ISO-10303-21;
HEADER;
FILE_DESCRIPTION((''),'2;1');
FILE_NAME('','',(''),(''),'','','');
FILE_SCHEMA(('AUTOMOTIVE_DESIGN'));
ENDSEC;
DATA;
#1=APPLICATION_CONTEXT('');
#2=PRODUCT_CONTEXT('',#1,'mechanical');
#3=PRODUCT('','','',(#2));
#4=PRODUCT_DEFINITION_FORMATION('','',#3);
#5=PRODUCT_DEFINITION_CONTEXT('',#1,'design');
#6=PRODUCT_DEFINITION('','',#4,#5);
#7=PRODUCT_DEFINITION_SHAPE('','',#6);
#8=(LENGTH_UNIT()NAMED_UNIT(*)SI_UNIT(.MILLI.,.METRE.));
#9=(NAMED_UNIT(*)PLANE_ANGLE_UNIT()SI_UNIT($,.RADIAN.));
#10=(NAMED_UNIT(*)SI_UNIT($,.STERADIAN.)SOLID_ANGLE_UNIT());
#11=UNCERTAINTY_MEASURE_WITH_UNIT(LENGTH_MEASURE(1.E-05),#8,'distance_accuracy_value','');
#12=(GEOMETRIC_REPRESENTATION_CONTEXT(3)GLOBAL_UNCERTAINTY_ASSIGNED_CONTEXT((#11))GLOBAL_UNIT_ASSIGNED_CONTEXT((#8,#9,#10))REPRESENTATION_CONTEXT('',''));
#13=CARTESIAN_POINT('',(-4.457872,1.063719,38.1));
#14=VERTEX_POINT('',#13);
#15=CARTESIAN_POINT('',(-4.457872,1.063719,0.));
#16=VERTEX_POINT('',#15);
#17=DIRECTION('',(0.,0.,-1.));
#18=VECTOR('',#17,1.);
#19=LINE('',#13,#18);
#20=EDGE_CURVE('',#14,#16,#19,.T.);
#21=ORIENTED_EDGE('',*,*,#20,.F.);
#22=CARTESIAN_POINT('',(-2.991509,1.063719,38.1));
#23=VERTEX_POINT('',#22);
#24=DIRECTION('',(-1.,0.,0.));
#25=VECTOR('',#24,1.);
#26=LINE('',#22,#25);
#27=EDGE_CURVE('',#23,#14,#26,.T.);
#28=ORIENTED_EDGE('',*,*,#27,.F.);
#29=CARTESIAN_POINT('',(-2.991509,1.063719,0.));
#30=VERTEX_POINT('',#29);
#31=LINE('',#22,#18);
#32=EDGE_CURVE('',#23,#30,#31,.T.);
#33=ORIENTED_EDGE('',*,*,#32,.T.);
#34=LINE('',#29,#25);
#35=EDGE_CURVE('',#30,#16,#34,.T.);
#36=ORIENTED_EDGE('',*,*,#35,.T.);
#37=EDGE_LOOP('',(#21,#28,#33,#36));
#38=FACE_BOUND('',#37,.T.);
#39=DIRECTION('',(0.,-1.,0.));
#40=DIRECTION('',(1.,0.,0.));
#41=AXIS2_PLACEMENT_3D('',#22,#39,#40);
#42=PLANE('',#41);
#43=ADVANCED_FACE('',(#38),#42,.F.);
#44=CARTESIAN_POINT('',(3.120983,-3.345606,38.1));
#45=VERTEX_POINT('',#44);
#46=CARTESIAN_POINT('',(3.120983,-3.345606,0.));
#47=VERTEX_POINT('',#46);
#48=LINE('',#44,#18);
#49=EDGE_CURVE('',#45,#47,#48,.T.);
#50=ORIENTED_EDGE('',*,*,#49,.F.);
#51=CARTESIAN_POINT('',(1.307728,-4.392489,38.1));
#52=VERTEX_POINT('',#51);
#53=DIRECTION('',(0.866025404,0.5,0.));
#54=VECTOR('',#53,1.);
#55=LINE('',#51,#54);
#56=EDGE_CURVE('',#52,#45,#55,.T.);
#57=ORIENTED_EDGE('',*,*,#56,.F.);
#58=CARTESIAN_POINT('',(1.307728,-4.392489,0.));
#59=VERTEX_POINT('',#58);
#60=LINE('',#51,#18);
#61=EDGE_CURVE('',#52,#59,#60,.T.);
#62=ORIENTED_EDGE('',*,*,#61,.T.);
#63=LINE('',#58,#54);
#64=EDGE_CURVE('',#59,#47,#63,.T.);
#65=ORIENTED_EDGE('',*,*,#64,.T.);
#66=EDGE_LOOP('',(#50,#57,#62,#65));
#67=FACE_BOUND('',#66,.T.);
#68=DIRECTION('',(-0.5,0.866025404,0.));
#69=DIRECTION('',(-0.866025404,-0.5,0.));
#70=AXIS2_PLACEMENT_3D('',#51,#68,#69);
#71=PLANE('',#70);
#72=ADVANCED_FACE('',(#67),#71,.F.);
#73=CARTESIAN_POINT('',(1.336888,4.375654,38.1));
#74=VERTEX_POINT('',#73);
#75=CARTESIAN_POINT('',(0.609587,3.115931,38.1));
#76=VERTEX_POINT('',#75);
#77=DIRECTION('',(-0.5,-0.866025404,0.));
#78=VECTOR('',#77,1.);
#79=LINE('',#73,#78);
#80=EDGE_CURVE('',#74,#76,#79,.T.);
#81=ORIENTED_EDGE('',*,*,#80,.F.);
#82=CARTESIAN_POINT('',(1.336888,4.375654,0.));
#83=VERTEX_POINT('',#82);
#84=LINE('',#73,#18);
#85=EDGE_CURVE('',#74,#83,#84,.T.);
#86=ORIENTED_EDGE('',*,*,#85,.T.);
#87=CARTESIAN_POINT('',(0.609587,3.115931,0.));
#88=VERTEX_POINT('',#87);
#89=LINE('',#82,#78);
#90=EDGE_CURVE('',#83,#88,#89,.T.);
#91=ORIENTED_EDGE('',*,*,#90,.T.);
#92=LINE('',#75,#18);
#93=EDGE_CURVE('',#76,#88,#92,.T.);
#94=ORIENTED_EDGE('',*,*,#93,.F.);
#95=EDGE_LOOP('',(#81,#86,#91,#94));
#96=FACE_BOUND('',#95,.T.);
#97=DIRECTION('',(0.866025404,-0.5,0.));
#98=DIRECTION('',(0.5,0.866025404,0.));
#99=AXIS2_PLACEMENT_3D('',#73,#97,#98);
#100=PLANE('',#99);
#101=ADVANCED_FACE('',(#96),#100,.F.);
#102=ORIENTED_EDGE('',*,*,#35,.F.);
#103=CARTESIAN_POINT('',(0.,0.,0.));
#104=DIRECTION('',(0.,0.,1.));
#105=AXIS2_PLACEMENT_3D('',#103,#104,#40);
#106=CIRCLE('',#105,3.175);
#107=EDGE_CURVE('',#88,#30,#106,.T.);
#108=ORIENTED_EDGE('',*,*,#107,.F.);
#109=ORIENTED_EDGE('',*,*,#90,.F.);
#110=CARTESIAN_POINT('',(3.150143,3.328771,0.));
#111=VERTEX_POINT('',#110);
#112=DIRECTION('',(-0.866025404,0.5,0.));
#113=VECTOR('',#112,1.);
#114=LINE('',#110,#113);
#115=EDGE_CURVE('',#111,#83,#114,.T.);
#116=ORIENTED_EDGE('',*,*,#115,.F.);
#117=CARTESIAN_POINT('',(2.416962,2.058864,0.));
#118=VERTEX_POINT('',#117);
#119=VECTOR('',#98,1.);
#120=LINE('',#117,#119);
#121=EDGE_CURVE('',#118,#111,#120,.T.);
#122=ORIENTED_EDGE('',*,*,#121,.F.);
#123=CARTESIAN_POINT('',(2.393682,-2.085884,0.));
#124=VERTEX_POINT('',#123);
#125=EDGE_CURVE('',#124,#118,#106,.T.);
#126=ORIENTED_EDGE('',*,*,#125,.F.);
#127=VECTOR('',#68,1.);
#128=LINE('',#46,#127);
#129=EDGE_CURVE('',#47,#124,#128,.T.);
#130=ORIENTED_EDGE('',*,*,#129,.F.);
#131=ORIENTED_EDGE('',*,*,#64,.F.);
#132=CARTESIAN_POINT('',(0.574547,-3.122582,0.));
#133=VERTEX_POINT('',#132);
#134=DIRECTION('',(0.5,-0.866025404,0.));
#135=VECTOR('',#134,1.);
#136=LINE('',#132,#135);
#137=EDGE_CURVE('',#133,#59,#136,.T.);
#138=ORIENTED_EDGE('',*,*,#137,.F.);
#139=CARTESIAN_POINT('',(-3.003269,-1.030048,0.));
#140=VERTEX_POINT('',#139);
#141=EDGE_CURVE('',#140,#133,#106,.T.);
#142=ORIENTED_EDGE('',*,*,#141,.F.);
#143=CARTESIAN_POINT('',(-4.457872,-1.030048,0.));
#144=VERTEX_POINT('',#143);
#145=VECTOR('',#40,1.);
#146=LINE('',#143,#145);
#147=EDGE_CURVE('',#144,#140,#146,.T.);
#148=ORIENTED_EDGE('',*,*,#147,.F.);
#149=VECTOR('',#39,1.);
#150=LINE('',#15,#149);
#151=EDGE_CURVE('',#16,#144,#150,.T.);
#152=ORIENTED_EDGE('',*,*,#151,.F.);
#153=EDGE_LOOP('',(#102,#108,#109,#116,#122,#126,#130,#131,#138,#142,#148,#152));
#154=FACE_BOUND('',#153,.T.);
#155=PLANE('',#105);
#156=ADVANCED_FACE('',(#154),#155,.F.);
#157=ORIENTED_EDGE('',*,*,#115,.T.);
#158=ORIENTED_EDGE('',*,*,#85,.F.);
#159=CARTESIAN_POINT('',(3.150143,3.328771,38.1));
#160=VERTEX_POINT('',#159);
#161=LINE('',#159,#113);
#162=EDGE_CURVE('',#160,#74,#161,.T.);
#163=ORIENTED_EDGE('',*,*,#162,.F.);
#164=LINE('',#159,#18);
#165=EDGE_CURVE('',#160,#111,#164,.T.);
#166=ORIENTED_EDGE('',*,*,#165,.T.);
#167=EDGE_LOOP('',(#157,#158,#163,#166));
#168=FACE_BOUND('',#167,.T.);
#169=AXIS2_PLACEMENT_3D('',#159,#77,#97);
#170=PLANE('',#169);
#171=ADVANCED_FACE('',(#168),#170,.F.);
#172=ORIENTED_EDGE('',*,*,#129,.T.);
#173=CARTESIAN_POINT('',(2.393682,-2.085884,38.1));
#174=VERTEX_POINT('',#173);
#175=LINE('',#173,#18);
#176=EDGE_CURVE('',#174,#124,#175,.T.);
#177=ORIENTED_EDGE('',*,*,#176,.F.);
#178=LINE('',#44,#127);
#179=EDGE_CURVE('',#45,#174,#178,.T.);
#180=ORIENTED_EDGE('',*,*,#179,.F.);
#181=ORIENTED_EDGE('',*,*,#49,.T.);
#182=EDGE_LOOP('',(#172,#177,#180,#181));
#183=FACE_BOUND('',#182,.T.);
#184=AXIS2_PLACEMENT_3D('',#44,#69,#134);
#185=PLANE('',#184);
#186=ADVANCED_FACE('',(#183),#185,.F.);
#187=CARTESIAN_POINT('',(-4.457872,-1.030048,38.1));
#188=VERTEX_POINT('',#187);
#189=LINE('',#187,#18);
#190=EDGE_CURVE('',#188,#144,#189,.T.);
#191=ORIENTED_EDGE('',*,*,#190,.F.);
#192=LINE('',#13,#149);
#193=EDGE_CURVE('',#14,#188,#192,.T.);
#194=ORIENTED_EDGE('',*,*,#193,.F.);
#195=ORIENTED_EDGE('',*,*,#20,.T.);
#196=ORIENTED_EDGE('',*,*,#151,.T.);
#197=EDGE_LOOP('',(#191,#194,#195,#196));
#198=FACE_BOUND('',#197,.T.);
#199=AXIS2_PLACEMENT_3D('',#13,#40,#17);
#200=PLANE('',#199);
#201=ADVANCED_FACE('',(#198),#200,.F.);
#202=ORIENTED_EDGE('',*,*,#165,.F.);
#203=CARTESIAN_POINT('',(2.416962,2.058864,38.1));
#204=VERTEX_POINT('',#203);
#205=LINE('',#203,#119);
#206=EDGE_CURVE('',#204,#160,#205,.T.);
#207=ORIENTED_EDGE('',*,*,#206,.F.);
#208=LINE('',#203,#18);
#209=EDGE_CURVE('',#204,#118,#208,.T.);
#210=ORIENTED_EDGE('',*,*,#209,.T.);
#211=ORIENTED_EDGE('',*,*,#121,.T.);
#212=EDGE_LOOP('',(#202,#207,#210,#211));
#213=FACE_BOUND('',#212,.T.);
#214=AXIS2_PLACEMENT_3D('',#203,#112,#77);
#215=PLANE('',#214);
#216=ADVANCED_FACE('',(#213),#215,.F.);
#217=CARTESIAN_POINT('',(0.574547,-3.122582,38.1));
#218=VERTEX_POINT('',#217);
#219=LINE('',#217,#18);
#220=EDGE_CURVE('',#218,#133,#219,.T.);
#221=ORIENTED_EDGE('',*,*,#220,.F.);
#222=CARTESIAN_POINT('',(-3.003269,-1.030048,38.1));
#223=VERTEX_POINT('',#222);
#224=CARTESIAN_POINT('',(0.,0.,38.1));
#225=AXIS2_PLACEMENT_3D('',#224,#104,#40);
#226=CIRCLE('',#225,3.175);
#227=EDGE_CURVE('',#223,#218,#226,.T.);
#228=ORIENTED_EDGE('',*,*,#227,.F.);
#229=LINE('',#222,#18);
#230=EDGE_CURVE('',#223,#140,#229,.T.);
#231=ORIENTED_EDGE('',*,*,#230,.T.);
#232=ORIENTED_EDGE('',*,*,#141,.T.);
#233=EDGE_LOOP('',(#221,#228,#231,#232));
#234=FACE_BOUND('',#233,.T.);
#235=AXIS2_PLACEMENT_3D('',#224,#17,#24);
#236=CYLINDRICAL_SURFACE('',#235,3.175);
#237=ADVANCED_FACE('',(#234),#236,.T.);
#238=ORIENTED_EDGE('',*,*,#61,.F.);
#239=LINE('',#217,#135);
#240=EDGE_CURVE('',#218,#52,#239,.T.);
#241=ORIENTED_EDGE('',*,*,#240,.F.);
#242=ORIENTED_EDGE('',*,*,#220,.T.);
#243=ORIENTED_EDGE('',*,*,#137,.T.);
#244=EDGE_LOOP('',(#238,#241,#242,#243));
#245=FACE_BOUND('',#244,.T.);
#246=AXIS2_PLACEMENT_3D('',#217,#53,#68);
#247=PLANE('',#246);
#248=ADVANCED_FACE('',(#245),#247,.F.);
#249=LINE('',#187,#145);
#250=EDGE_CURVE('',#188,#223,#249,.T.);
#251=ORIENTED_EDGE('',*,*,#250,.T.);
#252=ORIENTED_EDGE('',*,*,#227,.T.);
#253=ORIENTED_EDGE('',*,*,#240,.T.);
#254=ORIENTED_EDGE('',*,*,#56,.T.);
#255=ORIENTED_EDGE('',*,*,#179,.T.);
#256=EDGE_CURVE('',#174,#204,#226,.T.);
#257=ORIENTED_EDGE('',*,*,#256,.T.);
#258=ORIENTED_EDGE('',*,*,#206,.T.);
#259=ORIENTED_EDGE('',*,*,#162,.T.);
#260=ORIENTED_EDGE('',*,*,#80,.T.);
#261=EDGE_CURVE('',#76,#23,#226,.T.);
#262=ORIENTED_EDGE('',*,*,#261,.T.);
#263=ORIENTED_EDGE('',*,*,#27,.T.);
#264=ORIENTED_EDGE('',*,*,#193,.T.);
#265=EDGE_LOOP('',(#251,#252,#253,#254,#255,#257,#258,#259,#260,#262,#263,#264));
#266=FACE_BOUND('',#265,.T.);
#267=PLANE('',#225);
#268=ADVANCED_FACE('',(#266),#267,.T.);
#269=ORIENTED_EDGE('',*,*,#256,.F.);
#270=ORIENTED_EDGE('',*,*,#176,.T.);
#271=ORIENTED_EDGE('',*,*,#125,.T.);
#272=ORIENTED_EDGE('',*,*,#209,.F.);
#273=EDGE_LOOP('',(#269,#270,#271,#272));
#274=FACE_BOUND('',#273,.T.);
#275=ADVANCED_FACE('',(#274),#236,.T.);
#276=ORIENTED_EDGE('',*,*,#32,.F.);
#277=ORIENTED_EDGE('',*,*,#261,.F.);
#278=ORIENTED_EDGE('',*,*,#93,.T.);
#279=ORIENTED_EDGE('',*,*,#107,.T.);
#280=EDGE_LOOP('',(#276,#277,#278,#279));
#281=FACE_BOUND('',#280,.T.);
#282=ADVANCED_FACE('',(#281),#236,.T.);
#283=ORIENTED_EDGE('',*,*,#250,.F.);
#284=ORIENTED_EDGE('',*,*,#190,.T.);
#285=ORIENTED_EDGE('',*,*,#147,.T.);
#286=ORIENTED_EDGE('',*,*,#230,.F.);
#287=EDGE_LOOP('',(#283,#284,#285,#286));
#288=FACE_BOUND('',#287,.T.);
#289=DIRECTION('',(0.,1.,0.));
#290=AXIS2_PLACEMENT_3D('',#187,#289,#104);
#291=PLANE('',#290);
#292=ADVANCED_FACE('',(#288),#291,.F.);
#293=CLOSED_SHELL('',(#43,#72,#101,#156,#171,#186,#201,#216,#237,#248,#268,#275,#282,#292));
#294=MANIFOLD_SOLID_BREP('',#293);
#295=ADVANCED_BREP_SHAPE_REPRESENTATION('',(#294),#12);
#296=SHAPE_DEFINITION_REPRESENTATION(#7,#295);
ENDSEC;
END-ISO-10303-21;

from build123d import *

# Parameters (mm, degrees)
EXTRUSION1_DEPTH = 38.1


with BuildPart() as part:
    # Sketch1 → Extrusion1 (new body)
    with BuildSketch(Plane.XY):
        with BuildLine():
            Line((2.416962135, 2.058863531), (3.1501433, 3.32877056))
            Line((3.1501433, 3.32877056), (1.336888207, 4.375653876))
            Line((1.336888207, 4.375653876), (0.609587103, 3.115931412))
            ThreePointArc((0.609587103, 3.115931412), (-1.572031269, 2.758503705), (-2.991509188, 1.063718843))
            Line((-2.991509188, 1.063718843), (-4.457871519, 1.063718843))
            Line((-4.457871519, 1.063718843), (-4.457871519, -1.030047788))
            Line((-4.457871519, -1.030047788), (-3.003269311, -1.030047788))
            ThreePointArc((-3.003269311, -1.030047788), (-1.60291865, -2.740670867), (0.574547053, -3.122582374))
            Line((0.574547053, -3.122582374), (1.307728219, -4.392489404))
            Line((1.307728219, -4.392489404), (3.120983311, -3.345606088))
            Line((3.120983311, -3.345606088), (2.393682207, -2.085883623))
            ThreePointArc((2.393682207, -2.085883623), (3.174949919, -0.017832838), (2.416962135, 2.058863531))
        make_face()
    extrude(amount=EXTRUSION1_DEPTH)


solid = part.part
